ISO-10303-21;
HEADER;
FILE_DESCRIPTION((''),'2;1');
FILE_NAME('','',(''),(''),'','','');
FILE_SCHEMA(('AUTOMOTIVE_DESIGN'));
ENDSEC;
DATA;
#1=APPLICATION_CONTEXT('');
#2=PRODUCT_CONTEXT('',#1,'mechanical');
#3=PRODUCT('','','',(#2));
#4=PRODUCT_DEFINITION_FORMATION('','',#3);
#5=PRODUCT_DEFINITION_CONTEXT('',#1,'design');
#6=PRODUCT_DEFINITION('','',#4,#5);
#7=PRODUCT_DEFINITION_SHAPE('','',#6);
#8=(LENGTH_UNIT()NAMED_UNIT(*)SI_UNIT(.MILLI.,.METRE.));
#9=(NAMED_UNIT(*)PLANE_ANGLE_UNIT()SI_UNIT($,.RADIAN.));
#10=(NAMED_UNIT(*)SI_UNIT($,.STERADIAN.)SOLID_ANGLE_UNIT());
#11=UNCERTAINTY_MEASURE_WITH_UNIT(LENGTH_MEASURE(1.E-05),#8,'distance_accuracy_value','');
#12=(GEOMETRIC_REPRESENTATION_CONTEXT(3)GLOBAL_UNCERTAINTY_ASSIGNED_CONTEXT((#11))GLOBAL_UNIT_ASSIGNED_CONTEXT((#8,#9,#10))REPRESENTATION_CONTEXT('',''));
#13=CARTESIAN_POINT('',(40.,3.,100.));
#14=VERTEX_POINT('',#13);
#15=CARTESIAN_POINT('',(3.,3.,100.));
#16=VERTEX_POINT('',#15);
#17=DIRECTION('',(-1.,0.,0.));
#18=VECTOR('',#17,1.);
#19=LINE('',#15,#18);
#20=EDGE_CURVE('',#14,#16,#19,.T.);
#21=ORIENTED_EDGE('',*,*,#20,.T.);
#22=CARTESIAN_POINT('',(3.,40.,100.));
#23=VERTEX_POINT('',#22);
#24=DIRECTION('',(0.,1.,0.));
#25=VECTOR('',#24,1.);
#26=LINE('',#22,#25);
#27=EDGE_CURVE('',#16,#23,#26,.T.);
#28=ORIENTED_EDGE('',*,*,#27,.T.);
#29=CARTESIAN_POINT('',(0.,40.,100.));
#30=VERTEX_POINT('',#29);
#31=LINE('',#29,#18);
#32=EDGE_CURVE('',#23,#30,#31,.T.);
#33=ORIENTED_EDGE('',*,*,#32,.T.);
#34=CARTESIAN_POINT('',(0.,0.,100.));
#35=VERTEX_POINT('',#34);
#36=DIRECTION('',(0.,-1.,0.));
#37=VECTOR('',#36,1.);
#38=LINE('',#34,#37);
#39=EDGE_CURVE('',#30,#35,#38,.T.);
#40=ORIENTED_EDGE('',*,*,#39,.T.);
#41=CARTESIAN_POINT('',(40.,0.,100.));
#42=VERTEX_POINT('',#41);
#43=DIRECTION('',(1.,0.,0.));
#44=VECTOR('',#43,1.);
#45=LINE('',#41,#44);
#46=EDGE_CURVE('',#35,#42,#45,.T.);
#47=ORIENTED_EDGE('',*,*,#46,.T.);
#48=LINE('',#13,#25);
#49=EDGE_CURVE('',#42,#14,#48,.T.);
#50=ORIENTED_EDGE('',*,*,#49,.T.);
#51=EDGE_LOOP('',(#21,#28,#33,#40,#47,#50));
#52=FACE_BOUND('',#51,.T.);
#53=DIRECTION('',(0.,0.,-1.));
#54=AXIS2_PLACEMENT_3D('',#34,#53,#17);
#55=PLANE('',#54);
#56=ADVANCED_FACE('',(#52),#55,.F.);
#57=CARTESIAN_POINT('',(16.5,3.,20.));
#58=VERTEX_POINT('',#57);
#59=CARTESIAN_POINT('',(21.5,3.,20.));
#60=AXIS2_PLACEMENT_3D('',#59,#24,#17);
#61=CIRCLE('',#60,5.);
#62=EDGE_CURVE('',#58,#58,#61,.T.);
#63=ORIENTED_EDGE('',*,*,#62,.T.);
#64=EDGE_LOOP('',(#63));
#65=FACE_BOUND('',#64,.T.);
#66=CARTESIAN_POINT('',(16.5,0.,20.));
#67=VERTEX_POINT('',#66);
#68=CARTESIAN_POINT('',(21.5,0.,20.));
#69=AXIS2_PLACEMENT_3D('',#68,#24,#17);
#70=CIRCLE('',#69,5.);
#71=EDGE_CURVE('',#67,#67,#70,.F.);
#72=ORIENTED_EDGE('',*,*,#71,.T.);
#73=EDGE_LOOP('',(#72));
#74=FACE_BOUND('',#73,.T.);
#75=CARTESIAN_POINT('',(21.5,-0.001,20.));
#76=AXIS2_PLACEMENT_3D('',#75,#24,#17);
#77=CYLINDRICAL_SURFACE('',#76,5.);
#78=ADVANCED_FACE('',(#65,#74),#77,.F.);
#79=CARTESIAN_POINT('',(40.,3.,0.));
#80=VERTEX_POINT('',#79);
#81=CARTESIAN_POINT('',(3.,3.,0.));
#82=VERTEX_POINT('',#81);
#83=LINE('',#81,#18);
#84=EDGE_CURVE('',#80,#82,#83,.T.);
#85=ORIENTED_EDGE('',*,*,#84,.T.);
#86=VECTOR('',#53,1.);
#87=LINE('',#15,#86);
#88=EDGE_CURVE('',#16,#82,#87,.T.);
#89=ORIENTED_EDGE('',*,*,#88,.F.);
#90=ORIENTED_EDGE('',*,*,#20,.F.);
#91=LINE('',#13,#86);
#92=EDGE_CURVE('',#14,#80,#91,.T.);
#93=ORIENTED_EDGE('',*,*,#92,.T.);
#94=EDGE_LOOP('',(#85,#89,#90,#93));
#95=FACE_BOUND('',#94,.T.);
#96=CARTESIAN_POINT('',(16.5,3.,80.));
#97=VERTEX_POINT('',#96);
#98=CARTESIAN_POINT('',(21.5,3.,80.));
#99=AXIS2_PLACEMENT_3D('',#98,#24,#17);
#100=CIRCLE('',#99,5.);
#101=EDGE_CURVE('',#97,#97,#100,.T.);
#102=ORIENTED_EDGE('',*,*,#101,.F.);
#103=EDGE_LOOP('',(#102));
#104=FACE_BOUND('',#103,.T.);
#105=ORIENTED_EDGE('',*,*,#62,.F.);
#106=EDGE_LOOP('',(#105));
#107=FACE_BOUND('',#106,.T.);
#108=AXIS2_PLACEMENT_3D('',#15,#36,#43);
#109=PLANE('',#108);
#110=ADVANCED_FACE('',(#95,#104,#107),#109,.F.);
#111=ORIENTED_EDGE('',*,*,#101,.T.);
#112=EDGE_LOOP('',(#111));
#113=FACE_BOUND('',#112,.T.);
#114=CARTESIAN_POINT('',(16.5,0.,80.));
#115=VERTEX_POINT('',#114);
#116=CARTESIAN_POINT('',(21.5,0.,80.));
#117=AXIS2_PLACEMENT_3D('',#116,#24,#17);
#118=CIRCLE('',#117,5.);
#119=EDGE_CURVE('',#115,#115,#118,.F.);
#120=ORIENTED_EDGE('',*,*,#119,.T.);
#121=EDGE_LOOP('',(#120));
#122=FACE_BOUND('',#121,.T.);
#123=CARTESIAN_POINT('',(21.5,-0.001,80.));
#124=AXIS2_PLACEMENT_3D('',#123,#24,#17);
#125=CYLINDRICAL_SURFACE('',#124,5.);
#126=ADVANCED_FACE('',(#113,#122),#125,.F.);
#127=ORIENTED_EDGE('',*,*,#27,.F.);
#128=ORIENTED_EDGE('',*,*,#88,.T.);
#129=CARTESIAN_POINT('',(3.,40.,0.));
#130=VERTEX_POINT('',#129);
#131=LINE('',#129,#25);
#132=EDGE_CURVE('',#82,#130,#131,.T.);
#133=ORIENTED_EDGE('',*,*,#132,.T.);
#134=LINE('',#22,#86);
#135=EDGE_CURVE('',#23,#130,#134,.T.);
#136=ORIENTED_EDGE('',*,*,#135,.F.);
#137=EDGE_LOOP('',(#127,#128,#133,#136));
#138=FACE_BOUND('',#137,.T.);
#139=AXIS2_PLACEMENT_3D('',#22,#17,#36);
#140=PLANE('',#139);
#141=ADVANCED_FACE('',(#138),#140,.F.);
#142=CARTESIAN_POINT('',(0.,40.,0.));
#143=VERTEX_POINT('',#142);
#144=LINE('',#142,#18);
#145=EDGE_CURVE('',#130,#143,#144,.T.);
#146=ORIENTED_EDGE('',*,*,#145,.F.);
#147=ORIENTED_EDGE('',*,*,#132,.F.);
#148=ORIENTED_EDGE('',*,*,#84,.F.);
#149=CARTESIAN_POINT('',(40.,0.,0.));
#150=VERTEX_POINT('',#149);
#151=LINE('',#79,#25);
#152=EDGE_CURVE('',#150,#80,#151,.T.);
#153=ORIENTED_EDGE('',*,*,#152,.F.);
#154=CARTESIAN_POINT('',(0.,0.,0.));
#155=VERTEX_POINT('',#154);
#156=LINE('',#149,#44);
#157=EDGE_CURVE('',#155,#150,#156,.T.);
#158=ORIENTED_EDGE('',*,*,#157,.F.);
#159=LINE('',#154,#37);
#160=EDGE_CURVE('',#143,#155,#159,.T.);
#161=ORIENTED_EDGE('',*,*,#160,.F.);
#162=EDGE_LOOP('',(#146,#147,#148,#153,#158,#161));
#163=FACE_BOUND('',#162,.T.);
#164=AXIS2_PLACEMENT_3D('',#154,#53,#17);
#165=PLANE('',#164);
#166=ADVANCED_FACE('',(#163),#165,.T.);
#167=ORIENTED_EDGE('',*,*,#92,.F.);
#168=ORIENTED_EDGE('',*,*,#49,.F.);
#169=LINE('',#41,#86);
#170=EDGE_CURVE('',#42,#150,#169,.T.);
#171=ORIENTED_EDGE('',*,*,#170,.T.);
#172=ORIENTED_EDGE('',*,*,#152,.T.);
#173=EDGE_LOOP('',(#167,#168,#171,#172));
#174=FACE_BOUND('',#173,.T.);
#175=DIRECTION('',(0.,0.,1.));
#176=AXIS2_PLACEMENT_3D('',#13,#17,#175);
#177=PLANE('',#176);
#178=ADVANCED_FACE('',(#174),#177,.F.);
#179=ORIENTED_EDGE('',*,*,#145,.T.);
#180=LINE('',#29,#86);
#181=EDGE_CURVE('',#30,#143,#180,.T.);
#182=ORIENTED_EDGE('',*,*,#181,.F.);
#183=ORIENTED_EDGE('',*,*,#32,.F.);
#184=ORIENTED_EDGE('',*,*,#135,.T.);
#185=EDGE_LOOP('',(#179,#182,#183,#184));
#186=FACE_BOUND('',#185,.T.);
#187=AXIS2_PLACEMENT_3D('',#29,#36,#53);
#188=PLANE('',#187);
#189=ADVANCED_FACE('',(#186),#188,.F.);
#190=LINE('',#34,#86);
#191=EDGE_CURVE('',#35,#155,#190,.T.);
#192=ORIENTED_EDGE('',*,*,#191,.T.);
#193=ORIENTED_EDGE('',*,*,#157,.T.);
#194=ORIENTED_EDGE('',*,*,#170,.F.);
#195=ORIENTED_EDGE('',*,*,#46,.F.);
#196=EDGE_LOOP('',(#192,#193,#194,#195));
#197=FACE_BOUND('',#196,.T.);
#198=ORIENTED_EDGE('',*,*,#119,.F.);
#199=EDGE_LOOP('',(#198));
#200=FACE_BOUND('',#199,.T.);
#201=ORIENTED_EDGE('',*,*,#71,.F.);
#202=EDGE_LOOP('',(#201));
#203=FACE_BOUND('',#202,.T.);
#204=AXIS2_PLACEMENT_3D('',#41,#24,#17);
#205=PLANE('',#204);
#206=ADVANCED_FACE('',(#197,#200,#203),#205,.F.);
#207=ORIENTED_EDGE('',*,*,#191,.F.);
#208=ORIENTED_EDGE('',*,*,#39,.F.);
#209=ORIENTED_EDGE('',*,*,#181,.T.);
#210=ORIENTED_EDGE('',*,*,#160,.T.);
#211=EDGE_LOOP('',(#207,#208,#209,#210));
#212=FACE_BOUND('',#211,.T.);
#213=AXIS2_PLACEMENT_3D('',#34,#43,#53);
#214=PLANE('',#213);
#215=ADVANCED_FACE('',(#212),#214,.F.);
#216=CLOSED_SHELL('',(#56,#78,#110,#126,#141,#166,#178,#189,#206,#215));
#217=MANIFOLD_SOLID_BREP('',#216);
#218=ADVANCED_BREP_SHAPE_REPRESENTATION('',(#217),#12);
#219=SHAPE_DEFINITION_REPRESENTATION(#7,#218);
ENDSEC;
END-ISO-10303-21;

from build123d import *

# Parameters (mm, degrees)
EXTRUDE_1_DEPTH     = 100
CUT_EXTRUDE_1_REACH = 5
SKETCH_2_R          = 5


with BuildPart() as part:
    # Эскиз1 → Бобышка-Вытянуть1 (new body)
    with BuildSketch(Plane.XY):
        Polygon((0, 0), (0, 40), (3, 40), (3, 3), (40, 3), (40, 0), align=None)
    extrude(amount=EXTRUDE_1_DEPTH)

    # Эскиз2 → Вырез-Вытянуть1 (cut, up to next)
    with BuildSketch(Plane(origin=(0, 3, 0), x_dir=(1, 0, 0), z_dir=(0, 1, 0)), mode=Mode.PRIVATE) as cut_extrude_1_sk1:
        with Locations((21.5, -20)):
            Circle(SKETCH_2_R)
    cut_extrude_1_tool1 = extrude(cut_extrude_1_sk1.sketch, amount=-CUT_EXTRUDE_1_REACH, mode=Mode.PRIVATE) & part.part
    add(cut_extrude_1_tool1.solids().sort_by_distance((21.5, 3, 20))[0], mode=Mode.SUBTRACT)
    # Эскиз2 → Вырез-Вытянуть1 (cut, up to next)
    with BuildSketch(Plane(origin=(0, 3, 0), x_dir=(1, 0, 0), z_dir=(0, 1, 0)), mode=Mode.PRIVATE) as cut_extrude_1_sk2:
        with Locations((21.5, -80)):
            Circle(SKETCH_2_R)
    cut_extrude_1_tool2 = extrude(cut_extrude_1_sk2.sketch, amount=-CUT_EXTRUDE_1_REACH, mode=Mode.PRIVATE) & part.part
    add(cut_extrude_1_tool2.solids().sort_by_distance((21.5, 3, 80))[0], mode=Mode.SUBTRACT)


solid = part.part
